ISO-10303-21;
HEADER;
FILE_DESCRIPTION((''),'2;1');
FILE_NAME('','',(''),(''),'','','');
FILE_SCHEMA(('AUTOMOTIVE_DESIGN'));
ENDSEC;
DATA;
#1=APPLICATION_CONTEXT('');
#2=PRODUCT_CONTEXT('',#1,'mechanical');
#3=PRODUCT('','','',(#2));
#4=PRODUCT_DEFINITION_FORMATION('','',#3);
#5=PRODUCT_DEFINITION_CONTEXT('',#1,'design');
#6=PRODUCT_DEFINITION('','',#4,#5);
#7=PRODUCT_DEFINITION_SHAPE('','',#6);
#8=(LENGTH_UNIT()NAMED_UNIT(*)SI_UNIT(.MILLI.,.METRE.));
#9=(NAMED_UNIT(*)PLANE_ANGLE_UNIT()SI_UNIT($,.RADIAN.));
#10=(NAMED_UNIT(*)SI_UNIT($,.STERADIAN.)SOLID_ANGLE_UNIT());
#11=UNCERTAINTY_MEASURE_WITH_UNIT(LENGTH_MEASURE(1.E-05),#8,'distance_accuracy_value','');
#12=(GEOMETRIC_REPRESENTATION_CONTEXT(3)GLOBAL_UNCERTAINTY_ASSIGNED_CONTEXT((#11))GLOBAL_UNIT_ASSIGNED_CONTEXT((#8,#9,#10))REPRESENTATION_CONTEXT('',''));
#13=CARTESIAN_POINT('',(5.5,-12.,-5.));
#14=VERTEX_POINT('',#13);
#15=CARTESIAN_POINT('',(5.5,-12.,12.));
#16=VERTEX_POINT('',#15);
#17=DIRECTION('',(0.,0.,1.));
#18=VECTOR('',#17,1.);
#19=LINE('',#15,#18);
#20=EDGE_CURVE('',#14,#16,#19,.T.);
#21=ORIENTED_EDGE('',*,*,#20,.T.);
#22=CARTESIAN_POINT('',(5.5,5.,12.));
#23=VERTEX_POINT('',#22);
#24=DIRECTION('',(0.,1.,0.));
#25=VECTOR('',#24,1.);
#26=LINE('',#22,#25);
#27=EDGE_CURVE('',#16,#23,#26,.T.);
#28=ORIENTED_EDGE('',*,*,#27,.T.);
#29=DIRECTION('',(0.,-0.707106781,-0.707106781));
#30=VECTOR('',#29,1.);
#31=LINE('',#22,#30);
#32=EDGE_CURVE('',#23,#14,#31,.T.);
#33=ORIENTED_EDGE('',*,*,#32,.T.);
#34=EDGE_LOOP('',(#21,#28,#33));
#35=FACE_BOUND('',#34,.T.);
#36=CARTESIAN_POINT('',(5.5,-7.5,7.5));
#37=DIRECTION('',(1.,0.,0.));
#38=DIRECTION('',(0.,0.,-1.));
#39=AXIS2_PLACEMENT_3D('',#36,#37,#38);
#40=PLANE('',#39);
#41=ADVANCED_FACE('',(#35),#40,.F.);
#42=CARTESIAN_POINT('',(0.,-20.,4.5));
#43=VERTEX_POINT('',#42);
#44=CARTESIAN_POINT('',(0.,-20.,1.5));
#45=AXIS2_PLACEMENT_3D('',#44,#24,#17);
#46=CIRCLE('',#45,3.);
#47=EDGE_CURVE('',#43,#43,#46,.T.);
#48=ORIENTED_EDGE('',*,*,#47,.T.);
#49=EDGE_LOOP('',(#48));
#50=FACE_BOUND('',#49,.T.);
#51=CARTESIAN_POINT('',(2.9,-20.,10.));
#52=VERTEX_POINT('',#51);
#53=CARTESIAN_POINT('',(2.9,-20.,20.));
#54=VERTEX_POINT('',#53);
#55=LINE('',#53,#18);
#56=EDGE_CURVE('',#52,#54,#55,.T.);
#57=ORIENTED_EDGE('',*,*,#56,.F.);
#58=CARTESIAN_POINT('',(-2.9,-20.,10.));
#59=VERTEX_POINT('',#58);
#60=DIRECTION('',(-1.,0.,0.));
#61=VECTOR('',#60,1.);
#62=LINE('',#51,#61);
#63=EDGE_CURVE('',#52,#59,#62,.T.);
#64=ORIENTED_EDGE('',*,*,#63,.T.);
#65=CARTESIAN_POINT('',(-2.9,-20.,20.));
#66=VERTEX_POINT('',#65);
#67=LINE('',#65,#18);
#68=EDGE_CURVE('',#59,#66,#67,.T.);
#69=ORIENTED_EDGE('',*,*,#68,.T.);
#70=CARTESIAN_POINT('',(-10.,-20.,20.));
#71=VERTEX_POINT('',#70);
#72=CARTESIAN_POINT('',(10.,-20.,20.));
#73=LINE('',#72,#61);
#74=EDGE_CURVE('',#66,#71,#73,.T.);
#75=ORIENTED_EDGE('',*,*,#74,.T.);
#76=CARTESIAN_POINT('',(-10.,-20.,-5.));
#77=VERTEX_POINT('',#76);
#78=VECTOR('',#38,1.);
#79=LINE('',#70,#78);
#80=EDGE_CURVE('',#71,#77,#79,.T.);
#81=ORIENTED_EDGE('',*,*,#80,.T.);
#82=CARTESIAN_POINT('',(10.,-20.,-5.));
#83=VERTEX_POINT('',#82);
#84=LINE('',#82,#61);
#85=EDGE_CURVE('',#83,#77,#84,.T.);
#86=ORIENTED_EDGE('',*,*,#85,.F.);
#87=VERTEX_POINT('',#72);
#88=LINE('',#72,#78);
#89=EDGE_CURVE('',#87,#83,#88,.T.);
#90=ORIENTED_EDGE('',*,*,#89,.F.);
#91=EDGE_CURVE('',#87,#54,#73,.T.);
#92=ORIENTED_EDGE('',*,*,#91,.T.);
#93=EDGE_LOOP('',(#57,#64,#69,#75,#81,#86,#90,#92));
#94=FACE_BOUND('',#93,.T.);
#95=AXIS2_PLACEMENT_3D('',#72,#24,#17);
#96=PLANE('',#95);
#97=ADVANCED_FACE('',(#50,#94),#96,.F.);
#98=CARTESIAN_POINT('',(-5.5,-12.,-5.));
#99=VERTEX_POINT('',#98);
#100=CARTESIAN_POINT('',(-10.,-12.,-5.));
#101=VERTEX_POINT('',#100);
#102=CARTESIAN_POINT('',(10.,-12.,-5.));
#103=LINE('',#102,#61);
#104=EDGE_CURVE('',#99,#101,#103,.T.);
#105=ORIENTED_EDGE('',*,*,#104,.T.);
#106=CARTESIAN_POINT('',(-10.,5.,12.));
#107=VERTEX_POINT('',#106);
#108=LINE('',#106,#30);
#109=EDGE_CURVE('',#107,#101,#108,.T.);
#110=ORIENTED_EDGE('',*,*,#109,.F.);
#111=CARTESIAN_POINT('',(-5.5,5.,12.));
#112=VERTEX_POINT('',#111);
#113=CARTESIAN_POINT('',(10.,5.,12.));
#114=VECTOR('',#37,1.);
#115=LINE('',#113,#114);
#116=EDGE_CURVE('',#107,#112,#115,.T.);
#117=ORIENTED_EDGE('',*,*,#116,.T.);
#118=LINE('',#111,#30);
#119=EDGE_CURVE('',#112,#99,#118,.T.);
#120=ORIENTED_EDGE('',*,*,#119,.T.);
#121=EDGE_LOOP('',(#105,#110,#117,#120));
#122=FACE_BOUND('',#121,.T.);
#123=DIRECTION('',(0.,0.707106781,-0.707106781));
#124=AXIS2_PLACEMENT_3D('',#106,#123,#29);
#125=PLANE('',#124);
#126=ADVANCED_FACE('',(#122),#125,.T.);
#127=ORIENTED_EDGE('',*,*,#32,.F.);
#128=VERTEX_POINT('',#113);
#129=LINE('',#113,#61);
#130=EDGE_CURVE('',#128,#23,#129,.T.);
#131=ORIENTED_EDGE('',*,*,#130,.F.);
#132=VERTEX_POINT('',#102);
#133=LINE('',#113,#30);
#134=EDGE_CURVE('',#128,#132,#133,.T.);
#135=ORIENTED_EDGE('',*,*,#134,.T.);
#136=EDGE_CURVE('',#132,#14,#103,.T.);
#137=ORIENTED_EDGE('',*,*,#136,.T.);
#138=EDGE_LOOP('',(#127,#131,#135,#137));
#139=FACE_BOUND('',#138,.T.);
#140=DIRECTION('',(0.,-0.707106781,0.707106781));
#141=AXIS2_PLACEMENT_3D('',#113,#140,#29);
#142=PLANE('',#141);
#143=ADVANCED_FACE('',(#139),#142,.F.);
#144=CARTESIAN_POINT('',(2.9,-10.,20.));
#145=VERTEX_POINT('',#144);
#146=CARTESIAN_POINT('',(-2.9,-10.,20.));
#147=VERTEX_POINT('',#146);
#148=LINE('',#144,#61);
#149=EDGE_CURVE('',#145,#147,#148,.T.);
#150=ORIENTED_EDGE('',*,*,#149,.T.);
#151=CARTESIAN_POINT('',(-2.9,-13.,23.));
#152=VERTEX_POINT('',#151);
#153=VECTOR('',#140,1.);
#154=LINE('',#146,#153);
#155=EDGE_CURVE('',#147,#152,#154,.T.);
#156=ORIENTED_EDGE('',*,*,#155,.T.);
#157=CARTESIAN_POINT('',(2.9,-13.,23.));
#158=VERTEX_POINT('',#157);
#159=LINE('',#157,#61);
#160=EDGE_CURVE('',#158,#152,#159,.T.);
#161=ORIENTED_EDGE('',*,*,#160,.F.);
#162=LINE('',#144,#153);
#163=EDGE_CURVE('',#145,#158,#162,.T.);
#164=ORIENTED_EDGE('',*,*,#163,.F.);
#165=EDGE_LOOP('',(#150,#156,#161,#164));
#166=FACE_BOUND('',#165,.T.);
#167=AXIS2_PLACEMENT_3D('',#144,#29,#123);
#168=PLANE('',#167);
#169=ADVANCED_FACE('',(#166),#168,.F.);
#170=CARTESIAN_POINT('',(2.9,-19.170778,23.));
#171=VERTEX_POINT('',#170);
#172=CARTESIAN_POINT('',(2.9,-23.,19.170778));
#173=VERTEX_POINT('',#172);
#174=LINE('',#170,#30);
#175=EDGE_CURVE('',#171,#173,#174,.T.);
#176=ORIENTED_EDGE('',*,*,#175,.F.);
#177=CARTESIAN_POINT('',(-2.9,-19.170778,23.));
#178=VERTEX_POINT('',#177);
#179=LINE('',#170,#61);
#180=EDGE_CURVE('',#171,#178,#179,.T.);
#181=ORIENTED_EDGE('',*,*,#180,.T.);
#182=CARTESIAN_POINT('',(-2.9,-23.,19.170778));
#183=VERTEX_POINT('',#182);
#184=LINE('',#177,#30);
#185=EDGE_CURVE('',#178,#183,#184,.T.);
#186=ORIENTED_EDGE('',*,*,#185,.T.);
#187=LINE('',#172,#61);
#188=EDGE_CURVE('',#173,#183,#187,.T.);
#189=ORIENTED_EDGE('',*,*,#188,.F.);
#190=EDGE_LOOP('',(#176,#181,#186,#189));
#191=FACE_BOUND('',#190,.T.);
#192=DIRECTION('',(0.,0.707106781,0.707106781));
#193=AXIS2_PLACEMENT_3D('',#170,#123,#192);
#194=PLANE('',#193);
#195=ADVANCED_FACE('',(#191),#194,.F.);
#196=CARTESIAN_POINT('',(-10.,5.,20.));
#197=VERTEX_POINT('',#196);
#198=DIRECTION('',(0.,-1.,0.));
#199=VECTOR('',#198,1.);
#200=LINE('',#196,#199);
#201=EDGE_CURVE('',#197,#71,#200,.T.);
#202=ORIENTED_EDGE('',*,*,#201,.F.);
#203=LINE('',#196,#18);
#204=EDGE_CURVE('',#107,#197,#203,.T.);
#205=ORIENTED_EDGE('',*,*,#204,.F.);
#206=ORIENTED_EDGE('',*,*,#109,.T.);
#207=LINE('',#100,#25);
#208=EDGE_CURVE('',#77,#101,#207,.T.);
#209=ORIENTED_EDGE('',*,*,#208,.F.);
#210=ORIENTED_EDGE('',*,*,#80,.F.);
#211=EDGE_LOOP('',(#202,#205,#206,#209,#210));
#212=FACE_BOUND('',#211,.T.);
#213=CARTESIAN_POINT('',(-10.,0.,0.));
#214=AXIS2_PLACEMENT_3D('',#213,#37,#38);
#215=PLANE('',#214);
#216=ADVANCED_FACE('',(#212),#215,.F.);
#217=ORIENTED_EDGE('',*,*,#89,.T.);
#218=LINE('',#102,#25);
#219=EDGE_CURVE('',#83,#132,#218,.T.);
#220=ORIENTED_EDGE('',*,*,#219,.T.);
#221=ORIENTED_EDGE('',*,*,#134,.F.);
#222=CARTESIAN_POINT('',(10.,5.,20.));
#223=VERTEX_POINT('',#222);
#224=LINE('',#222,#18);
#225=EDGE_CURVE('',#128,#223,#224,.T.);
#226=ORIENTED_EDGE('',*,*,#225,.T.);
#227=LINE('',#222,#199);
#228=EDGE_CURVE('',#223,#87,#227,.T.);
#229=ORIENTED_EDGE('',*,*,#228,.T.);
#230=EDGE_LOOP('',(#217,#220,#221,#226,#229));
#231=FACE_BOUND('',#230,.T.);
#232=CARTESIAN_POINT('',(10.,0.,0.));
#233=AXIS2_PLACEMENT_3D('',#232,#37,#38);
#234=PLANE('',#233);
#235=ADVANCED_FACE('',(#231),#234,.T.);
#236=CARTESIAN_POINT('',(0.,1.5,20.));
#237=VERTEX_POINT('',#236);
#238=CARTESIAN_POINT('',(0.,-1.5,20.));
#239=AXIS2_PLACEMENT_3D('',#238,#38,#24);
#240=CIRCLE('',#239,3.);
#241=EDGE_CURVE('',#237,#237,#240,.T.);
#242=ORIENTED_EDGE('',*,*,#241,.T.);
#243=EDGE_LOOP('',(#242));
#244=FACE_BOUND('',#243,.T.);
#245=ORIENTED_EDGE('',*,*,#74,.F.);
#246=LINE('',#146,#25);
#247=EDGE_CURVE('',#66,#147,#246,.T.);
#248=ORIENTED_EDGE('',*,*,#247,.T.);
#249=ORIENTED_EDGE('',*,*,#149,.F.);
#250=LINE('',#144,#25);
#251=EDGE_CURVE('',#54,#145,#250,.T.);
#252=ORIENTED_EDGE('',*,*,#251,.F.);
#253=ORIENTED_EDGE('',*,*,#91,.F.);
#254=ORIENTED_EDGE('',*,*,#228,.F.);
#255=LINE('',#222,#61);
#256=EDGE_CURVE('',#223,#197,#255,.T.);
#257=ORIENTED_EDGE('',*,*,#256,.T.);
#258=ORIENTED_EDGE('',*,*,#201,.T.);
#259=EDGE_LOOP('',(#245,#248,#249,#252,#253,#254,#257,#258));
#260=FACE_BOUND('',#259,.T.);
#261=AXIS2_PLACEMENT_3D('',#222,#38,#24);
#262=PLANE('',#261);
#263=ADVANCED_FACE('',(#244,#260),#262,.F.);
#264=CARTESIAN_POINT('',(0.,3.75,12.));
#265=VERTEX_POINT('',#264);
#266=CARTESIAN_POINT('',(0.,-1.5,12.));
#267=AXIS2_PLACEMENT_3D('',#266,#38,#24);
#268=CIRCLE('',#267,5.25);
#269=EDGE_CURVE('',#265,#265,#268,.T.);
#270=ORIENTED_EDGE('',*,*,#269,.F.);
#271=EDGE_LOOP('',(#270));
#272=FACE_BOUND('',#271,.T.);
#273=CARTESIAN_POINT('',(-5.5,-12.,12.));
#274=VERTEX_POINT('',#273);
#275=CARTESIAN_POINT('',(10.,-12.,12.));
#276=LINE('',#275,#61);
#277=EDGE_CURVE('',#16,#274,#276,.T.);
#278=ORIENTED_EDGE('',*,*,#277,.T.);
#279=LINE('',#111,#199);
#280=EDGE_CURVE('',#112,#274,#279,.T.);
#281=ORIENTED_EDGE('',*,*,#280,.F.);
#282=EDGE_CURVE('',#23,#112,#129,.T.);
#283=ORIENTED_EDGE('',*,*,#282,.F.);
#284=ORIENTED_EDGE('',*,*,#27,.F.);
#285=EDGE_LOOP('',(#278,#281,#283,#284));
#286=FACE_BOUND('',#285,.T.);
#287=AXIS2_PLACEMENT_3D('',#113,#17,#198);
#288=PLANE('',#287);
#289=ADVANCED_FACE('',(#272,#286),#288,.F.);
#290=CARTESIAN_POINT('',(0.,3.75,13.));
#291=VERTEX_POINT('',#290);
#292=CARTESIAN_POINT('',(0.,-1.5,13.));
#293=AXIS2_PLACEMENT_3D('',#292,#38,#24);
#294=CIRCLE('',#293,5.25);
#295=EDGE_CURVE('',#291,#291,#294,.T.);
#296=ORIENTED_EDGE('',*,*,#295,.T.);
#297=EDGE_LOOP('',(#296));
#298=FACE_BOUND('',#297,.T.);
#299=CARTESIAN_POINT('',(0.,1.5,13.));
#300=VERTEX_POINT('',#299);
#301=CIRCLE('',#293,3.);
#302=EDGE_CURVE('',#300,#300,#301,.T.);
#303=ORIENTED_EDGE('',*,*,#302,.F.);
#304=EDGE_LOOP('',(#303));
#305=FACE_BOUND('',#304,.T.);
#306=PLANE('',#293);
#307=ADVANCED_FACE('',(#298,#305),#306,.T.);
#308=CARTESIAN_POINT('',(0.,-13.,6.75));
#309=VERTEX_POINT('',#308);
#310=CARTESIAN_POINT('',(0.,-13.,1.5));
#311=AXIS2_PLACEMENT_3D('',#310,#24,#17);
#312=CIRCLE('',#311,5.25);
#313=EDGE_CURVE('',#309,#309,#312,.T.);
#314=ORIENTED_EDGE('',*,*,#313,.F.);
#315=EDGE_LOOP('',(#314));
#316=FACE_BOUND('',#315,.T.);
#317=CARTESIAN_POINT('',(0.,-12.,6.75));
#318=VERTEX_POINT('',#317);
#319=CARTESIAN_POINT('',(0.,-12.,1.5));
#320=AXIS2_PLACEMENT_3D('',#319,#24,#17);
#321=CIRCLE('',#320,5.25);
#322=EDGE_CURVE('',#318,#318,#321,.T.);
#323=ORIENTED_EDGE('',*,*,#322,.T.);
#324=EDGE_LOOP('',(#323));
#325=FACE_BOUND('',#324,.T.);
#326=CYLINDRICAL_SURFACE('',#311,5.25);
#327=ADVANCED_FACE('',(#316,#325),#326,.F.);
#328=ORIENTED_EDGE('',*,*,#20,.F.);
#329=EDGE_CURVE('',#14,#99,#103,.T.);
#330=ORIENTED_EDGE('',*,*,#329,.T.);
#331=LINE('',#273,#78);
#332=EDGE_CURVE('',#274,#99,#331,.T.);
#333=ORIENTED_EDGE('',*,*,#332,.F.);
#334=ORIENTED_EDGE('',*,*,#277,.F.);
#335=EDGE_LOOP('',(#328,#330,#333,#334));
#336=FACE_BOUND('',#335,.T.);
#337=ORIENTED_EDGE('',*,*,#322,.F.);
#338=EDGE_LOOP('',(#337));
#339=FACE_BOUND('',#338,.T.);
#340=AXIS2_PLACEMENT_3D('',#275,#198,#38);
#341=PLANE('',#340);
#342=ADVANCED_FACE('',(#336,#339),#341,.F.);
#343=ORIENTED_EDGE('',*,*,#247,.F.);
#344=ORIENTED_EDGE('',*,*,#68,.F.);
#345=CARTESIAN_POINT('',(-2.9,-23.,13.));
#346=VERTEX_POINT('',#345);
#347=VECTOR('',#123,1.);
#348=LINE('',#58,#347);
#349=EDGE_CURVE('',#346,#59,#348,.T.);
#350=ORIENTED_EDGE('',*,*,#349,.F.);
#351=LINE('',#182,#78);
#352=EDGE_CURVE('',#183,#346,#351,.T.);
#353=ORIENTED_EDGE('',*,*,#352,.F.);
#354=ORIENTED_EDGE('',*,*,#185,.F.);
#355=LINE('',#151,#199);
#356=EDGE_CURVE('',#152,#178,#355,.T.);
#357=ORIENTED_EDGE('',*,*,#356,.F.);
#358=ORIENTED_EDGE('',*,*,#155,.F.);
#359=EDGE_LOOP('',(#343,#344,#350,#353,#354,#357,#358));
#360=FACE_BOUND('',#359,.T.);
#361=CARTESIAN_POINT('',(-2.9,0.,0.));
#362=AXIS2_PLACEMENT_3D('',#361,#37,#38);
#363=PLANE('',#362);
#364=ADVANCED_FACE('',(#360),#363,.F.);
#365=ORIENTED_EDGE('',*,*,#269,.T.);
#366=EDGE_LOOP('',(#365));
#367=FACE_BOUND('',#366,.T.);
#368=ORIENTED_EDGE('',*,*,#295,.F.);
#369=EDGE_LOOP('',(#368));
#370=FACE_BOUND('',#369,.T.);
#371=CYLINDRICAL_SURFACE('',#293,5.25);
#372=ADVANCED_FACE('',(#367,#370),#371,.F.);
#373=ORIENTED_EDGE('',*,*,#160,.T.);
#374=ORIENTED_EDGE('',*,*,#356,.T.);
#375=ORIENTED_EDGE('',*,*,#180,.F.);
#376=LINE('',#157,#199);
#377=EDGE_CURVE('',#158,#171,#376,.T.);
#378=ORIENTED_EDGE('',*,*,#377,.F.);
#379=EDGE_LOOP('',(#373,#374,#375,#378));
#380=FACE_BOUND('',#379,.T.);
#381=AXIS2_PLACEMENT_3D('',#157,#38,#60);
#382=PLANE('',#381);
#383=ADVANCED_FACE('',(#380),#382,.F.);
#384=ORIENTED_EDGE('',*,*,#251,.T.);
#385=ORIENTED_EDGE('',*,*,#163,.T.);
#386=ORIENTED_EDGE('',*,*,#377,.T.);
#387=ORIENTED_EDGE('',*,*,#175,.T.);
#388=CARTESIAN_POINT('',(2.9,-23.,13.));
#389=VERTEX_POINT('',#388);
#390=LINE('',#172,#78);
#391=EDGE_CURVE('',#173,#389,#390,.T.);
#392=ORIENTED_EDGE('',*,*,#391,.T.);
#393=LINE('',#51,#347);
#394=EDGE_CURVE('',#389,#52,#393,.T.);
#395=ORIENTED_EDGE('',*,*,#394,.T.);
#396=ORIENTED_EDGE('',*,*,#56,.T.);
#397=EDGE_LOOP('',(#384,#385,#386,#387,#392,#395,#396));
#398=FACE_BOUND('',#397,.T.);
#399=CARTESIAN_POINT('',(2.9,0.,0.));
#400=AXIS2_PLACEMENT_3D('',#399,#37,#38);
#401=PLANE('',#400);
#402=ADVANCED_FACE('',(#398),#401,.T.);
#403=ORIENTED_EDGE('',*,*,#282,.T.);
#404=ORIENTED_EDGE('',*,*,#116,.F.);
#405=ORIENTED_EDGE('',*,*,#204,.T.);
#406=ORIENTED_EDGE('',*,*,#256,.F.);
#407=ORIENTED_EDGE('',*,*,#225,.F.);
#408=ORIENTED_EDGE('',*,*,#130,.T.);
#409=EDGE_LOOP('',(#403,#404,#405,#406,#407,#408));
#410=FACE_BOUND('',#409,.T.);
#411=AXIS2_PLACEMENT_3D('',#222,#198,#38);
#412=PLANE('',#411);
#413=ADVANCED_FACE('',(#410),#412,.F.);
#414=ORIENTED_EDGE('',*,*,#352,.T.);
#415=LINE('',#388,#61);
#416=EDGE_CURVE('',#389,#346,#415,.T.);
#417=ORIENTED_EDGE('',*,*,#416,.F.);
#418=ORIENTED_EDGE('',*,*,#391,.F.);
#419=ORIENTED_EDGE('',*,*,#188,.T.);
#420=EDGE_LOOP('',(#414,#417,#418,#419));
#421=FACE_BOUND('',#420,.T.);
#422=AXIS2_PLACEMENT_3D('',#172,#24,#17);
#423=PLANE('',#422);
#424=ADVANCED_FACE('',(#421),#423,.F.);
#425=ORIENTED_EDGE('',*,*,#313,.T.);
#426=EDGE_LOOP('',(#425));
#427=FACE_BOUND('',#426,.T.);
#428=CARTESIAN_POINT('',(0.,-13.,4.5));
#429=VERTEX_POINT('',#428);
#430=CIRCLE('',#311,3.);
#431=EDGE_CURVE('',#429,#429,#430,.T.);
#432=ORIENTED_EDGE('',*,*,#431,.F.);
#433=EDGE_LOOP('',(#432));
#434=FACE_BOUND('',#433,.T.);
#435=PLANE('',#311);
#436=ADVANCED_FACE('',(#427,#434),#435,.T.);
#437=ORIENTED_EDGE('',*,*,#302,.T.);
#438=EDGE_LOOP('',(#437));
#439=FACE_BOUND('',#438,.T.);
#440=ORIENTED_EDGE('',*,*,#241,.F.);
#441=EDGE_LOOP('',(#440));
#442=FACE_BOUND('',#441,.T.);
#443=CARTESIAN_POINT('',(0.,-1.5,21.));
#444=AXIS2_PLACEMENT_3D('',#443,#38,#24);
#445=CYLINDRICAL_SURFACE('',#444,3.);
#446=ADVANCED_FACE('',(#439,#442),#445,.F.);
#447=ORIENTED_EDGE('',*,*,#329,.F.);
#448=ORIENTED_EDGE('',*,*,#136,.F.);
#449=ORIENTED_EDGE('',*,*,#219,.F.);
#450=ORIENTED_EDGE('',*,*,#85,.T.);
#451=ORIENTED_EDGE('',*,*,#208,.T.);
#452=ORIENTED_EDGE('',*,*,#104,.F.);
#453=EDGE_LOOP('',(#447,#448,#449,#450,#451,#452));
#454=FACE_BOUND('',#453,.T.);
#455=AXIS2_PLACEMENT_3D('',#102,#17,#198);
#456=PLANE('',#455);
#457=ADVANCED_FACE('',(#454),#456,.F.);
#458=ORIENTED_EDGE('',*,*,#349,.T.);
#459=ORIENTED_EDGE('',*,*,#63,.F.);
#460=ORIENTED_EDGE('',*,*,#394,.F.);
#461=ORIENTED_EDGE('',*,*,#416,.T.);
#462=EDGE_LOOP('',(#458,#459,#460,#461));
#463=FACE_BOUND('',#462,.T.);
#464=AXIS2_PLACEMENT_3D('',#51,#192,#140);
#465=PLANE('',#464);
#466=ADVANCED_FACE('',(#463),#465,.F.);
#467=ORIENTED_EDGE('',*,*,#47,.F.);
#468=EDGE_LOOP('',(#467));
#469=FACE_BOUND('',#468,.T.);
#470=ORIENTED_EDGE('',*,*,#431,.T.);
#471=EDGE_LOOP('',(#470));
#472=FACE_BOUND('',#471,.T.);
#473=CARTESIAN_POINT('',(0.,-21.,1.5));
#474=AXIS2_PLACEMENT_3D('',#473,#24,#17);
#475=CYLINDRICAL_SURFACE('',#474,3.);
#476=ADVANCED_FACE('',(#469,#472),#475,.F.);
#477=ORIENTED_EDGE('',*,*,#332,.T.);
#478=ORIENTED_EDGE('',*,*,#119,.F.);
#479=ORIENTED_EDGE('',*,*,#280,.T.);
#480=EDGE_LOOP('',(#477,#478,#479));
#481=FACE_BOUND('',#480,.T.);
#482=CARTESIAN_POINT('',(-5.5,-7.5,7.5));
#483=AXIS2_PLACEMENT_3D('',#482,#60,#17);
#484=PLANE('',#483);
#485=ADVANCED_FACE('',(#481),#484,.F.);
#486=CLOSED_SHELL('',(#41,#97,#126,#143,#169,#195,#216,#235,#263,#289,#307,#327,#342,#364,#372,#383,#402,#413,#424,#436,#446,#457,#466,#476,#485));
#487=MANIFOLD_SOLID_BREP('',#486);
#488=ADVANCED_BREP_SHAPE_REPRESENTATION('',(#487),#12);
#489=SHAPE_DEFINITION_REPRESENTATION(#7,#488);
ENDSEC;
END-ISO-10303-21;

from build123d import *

# Parameters (mm, degrees)
BOSS_EXTRUDE1_DEPTH = 10
RIB18_REACH         = 36.641
SKETCH15_WALL_W     = 95.323662864
SKETCH15_WALL_H     = 4.5
RIB38_REACH         = 36.641
SKETCH17_WALL_W     = 95.323662864
SKETCH17_WALL_H     = 4.5
BOSS_EXTRUDE2_DEPTH = 2.9
SKETCH36_R          = 5.25
CUT_EXTRUDE4_DEPTH  = 1
SKETCH37_R          = 3
CUT_EXTRUDE5_DEPTH  = 8
SKETCH33_R          = 5.25
CUT_EXTRUDE1_DEPTH  = 1
SKETCH38_R          = 3
CUT_EXTRUDE6_DEPTH  = 8


with BuildPart() as part:
    # Sketch2 → Boss-Extrude1 (new, symmetric)
    with BuildSketch(Plane(origin=(0, 0, 0), x_dir=(0, 0, -1), z_dir=(1, 0, 0))):
        Polygon((-20, 5), (-12, 5), (-12, -12), (5, -12), (5, -20), (-20, -20), align=None)
    extrude(amount=BOSS_EXTRUDE1_DEPTH, both=True)

    # Sketch15 wall → Rib18 (add, up to next)
    with BuildSketch(Plane(origin=(10, -3.5, 3.5), x_dir=(0, -0.707106781187, -0.707106781187), z_dir=(0, 0.707106781187, -0.707106781187)), mode=Mode.PRIVATE) as rib18_sk1:
        with Locations((0, 2.25)):
            Rectangle(SKETCH15_WALL_W, SKETCH15_WALL_H)
    rib18_tool1 = extrude(rib18_sk1.sketch, amount=-RIB18_REACH, mode=Mode.PRIVATE) - part.part
    add(rib18_tool1.solids().sort_by_distance((10, -3.5, 3.5))[0])

    # Sketch17 wall → Rib38 (add, up to next)
    with BuildSketch(Plane(origin=(-10, -3.5, 3.5), x_dir=(0, -0.707106781187, -0.707106781187), z_dir=(0, -0.707106781187, 0.707106781187)), mode=Mode.PRIVATE) as rib38_sk1:
        with Locations((0, 2.25)):
            Rectangle(SKETCH17_WALL_W, SKETCH17_WALL_H)
    rib38_tool1 = extrude(rib38_sk1.sketch, amount=RIB38_REACH, mode=Mode.PRIVATE) - part.part
    add(rib38_tool1.solids().sort_by_distance((-10, -3.5, 3.5))[0])

    # Sketch31 → Boss-Extrude2 (add, symmetric)
    with BuildSketch(Plane(origin=(0, 0, 0), x_dir=(0, 0, -1), z_dir=(1, 0, 0))):
        Polygon((-20, -10), (-20, -20), (-10, -20), (-13, -23), (-19.170777974, -23), (-23, -19.170777974), (-23, -13), align=None)
    extrude(amount=BOSS_EXTRUDE2_DEPTH, both=True)

    # Sketch36 → Cut-Extrude4 (cut)
    with BuildSketch(Plane(origin=(0, 0, 12), x_dir=(-1, 0, 0), z_dir=(0, 0, -1))):
        with Locations(Location((0, -1.5, 0), (0, 0, 90))):
            Circle(SKETCH36_R)
    extrude(amount=-CUT_EXTRUDE4_DEPTH, mode=Mode.SUBTRACT)

    # Sketch37 → Cut-Extrude5 (cut)
    with BuildSketch(Plane(origin=(0, 0, 13), x_dir=(-1, 0, 0), z_dir=(0, 0, -1))):
        with Locations(Location((0, -1.5, 0), (0, 0, 90))):
            Circle(SKETCH37_R)
    extrude(amount=-CUT_EXTRUDE5_DEPTH, mode=Mode.SUBTRACT)

    # Sketch33 → Cut-Extrude1 (cut)
    with BuildSketch(Plane(origin=(0, -12, 0), x_dir=(1, 0, 0), z_dir=(0, 1, 0))):
        with Locations(Location((0, -1.5, 0), (0, 0, 270))):
            Circle(SKETCH33_R)
    extrude(amount=-CUT_EXTRUDE1_DEPTH, mode=Mode.SUBTRACT)

    # Sketch38 → Cut-Extrude6 (cut)
    with BuildSketch(Plane(origin=(0, -13, 0), x_dir=(1, 0, 0), z_dir=(0, 1, 0))):
        with Locations(Location((0, -1.5, 0), (0, 0, 270))):
            Circle(SKETCH38_R)
    extrude(amount=-CUT_EXTRUDE6_DEPTH, mode=Mode.SUBTRACT)


solid = part.part
